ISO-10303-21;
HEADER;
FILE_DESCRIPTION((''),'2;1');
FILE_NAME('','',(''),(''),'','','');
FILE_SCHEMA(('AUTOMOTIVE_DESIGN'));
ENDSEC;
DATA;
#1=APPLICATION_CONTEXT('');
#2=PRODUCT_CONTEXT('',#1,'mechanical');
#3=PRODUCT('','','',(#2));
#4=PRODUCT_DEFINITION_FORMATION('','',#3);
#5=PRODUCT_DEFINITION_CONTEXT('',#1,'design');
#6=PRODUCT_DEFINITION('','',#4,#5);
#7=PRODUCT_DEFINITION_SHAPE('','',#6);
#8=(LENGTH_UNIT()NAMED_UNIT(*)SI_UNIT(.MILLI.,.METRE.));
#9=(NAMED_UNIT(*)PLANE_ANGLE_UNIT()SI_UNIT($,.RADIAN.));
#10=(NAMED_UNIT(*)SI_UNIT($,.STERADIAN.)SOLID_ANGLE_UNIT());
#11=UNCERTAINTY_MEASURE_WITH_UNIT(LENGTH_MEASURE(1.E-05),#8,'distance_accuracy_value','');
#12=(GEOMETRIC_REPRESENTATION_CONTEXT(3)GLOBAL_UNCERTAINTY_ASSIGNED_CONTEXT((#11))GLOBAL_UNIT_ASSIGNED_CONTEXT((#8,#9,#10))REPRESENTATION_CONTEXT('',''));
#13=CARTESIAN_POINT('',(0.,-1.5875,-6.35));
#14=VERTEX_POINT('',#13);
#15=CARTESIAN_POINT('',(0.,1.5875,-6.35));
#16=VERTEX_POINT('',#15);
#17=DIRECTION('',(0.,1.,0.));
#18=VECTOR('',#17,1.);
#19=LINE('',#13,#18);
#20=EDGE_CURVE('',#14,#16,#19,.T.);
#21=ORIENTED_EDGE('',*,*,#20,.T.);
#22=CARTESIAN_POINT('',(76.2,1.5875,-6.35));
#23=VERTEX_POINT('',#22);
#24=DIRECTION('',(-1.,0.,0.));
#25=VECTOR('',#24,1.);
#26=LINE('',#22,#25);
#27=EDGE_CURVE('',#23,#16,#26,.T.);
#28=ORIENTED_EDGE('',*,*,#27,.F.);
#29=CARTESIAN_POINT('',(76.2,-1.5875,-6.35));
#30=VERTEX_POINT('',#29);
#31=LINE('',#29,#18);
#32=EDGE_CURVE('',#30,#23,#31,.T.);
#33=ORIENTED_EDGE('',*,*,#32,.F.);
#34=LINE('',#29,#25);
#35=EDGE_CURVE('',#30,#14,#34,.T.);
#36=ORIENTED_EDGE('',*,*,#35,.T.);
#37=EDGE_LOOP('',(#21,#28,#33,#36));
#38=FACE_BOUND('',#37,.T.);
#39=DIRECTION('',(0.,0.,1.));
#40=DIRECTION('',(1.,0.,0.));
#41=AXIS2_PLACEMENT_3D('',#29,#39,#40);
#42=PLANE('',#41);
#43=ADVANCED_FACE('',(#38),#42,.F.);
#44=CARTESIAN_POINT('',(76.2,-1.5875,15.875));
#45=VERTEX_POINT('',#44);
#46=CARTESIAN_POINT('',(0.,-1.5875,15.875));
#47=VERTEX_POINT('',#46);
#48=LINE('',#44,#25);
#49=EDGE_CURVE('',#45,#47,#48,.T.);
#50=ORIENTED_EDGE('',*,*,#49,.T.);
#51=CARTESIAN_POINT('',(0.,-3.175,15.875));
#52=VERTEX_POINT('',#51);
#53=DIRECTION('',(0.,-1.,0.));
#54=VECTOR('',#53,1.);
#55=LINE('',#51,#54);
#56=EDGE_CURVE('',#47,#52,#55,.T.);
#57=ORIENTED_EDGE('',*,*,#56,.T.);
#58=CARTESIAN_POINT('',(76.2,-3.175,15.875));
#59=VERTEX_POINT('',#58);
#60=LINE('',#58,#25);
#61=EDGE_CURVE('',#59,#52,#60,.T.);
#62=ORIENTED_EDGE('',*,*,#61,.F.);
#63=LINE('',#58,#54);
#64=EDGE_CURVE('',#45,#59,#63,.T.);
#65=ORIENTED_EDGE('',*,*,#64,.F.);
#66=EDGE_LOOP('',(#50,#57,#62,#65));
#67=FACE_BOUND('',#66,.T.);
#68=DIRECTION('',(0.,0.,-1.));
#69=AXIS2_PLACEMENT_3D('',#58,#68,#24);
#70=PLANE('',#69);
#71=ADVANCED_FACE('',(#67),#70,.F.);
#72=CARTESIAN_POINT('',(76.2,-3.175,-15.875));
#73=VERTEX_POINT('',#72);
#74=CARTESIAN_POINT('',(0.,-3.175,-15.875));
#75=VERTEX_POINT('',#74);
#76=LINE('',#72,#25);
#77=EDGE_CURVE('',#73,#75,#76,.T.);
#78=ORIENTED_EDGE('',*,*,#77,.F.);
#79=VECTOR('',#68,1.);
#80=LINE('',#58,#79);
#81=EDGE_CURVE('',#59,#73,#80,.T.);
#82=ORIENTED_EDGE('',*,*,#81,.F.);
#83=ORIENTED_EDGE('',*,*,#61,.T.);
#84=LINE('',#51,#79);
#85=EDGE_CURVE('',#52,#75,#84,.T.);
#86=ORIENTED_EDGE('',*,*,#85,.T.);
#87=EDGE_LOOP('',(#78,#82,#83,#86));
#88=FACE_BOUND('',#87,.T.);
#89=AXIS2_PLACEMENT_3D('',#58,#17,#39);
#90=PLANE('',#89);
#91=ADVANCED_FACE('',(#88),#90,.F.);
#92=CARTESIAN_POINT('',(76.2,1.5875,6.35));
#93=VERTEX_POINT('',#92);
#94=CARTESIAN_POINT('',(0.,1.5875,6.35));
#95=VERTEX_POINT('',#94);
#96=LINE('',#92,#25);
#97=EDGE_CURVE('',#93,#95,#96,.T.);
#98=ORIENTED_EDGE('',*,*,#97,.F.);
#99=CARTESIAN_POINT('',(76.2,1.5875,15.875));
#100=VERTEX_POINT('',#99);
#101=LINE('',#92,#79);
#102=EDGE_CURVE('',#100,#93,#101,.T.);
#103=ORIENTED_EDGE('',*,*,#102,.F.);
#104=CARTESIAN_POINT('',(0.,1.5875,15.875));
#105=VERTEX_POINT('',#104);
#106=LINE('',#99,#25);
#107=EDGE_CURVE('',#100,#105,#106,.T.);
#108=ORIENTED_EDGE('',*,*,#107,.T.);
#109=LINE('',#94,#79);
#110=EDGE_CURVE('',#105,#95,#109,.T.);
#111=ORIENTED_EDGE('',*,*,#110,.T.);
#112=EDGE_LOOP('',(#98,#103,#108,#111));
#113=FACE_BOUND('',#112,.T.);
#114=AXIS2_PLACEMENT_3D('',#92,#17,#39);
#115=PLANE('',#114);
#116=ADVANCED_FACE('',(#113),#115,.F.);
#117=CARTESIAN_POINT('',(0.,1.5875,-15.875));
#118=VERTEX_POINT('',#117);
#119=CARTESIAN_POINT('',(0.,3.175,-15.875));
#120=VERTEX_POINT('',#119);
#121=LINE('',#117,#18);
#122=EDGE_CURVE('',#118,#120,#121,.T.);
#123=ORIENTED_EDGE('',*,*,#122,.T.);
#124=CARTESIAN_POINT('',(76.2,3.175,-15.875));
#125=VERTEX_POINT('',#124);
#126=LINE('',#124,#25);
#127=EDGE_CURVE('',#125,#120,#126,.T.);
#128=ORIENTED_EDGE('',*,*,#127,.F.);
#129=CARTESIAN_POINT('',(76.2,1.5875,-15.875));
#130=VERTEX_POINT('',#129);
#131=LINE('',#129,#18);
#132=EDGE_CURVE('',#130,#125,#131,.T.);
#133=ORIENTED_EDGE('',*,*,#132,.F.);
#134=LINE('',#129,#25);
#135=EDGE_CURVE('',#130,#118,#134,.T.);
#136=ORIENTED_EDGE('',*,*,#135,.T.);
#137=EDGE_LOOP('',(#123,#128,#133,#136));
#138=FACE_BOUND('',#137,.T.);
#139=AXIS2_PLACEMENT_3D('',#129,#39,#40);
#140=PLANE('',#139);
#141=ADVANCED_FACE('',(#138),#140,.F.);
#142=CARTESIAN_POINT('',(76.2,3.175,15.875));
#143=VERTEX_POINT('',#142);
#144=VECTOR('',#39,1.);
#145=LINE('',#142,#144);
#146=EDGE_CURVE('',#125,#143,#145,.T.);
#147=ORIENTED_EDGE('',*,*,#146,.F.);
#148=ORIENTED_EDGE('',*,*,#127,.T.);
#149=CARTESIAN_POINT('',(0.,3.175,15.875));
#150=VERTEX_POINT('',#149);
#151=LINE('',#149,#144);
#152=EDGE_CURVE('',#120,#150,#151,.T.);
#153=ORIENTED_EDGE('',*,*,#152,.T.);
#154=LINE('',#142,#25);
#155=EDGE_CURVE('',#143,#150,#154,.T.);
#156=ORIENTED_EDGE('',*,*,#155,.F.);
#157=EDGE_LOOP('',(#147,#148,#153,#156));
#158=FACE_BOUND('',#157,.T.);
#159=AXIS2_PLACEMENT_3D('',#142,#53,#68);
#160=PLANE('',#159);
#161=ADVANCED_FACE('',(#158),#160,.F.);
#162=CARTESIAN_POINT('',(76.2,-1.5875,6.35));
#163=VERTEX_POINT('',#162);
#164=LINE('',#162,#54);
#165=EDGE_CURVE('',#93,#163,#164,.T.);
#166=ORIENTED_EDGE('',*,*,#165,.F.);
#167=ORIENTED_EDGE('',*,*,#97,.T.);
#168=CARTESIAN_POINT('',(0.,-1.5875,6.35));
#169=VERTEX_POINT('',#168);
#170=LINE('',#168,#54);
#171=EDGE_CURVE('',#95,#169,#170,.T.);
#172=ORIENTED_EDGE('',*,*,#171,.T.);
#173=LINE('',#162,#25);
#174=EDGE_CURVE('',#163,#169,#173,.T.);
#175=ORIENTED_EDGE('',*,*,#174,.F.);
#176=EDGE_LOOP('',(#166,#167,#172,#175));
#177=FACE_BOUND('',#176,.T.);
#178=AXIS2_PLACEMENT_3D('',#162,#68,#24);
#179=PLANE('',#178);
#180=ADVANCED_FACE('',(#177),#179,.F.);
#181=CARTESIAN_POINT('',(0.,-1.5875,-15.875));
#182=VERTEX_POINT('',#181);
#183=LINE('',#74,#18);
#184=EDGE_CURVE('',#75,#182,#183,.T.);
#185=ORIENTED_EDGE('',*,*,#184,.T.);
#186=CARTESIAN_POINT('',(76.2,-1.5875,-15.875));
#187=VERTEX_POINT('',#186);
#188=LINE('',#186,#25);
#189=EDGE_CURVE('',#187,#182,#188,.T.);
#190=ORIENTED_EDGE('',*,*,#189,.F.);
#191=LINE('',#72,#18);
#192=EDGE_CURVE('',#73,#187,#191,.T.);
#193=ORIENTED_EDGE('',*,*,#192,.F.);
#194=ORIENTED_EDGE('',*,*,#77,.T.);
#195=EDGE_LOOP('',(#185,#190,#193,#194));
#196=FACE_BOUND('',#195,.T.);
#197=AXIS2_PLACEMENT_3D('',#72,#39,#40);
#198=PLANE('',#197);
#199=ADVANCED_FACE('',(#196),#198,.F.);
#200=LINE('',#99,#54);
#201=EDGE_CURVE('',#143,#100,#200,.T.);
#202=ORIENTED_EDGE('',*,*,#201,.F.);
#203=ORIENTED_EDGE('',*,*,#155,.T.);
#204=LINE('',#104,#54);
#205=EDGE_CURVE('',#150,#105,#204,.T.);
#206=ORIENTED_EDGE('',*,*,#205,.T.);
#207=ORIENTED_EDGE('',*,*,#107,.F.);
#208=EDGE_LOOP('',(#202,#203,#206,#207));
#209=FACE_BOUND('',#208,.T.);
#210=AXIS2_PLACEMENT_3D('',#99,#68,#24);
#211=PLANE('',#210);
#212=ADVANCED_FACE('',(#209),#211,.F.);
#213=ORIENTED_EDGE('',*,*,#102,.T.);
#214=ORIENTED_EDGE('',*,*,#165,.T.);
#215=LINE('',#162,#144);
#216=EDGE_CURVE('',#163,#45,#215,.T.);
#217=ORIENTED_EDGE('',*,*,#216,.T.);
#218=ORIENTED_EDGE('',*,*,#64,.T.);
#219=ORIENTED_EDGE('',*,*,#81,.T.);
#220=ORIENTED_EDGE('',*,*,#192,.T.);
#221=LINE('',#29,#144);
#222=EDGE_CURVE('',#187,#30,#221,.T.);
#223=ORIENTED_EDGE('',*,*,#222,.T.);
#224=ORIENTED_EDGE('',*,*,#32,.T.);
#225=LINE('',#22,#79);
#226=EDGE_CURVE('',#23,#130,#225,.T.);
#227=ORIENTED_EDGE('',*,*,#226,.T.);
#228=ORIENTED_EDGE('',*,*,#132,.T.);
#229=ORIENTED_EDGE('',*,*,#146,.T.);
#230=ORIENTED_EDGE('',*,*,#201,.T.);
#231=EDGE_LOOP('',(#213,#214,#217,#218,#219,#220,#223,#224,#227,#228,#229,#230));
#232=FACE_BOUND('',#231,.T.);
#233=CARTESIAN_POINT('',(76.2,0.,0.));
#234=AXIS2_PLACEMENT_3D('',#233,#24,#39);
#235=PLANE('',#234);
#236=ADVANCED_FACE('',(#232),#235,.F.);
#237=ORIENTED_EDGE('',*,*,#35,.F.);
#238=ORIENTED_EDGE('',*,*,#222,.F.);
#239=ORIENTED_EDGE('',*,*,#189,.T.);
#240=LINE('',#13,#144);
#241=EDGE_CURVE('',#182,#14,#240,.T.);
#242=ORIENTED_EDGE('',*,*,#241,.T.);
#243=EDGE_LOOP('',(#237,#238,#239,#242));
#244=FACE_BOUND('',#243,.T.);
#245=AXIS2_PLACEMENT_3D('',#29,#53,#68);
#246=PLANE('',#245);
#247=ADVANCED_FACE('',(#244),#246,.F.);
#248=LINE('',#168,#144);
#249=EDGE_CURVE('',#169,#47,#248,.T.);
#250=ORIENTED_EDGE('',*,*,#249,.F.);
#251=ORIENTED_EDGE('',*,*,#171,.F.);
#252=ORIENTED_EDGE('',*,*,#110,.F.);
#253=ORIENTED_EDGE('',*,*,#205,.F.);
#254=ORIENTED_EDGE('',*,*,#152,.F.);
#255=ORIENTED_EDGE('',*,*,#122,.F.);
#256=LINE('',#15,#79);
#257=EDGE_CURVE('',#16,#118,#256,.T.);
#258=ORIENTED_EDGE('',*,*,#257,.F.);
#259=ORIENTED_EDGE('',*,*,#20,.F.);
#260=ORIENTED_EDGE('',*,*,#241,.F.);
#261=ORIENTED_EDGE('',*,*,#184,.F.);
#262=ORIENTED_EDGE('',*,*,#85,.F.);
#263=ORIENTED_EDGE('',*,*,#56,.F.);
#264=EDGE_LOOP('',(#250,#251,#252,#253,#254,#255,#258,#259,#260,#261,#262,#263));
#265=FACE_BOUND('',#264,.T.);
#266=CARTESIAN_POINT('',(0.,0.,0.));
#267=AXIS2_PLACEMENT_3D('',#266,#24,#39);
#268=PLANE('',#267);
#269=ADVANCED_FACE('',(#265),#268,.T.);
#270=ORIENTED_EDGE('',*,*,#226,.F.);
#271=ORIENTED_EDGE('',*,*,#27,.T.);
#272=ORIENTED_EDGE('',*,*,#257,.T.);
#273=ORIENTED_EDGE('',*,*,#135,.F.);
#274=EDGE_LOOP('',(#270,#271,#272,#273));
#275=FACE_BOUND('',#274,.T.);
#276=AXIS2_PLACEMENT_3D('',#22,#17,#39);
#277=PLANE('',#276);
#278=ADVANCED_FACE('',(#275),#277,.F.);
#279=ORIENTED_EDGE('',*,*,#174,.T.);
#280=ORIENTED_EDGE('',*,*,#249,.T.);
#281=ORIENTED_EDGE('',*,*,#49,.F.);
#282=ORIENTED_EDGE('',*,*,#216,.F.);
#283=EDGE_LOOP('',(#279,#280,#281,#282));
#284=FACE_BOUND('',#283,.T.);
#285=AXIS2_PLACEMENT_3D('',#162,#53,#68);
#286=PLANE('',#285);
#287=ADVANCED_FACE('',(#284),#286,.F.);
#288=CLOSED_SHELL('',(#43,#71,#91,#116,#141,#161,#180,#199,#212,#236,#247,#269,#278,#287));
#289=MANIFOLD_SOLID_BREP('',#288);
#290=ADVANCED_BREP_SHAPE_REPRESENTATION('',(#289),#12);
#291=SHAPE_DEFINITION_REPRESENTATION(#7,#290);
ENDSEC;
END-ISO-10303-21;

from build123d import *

# Parameters (mm, degrees)
BOSS_EXTRUDE1_DEPTH = 76.2


with BuildPart() as part:
    # Sketch1 → Boss-Extrude1 (new body)
    with BuildSketch(Plane(origin=(0, 0, 0), x_dir=(0, 0, -1), z_dir=(1, 0, 0))):
        Polygon((-15.875, 1.5875), (-15.875, 3.175), (15.875, 3.175), (15.875, 1.5875), (6.35, 1.5875), (6.35, -1.5875), (15.875, -1.5875), (15.875, -3.175), (-15.875, -3.175), (-15.875, -1.5875), (-6.35, -1.5875), (-6.35, 1.5875), align=None)
    extrude(amount=BOSS_EXTRUDE1_DEPTH)


solid = part.part
